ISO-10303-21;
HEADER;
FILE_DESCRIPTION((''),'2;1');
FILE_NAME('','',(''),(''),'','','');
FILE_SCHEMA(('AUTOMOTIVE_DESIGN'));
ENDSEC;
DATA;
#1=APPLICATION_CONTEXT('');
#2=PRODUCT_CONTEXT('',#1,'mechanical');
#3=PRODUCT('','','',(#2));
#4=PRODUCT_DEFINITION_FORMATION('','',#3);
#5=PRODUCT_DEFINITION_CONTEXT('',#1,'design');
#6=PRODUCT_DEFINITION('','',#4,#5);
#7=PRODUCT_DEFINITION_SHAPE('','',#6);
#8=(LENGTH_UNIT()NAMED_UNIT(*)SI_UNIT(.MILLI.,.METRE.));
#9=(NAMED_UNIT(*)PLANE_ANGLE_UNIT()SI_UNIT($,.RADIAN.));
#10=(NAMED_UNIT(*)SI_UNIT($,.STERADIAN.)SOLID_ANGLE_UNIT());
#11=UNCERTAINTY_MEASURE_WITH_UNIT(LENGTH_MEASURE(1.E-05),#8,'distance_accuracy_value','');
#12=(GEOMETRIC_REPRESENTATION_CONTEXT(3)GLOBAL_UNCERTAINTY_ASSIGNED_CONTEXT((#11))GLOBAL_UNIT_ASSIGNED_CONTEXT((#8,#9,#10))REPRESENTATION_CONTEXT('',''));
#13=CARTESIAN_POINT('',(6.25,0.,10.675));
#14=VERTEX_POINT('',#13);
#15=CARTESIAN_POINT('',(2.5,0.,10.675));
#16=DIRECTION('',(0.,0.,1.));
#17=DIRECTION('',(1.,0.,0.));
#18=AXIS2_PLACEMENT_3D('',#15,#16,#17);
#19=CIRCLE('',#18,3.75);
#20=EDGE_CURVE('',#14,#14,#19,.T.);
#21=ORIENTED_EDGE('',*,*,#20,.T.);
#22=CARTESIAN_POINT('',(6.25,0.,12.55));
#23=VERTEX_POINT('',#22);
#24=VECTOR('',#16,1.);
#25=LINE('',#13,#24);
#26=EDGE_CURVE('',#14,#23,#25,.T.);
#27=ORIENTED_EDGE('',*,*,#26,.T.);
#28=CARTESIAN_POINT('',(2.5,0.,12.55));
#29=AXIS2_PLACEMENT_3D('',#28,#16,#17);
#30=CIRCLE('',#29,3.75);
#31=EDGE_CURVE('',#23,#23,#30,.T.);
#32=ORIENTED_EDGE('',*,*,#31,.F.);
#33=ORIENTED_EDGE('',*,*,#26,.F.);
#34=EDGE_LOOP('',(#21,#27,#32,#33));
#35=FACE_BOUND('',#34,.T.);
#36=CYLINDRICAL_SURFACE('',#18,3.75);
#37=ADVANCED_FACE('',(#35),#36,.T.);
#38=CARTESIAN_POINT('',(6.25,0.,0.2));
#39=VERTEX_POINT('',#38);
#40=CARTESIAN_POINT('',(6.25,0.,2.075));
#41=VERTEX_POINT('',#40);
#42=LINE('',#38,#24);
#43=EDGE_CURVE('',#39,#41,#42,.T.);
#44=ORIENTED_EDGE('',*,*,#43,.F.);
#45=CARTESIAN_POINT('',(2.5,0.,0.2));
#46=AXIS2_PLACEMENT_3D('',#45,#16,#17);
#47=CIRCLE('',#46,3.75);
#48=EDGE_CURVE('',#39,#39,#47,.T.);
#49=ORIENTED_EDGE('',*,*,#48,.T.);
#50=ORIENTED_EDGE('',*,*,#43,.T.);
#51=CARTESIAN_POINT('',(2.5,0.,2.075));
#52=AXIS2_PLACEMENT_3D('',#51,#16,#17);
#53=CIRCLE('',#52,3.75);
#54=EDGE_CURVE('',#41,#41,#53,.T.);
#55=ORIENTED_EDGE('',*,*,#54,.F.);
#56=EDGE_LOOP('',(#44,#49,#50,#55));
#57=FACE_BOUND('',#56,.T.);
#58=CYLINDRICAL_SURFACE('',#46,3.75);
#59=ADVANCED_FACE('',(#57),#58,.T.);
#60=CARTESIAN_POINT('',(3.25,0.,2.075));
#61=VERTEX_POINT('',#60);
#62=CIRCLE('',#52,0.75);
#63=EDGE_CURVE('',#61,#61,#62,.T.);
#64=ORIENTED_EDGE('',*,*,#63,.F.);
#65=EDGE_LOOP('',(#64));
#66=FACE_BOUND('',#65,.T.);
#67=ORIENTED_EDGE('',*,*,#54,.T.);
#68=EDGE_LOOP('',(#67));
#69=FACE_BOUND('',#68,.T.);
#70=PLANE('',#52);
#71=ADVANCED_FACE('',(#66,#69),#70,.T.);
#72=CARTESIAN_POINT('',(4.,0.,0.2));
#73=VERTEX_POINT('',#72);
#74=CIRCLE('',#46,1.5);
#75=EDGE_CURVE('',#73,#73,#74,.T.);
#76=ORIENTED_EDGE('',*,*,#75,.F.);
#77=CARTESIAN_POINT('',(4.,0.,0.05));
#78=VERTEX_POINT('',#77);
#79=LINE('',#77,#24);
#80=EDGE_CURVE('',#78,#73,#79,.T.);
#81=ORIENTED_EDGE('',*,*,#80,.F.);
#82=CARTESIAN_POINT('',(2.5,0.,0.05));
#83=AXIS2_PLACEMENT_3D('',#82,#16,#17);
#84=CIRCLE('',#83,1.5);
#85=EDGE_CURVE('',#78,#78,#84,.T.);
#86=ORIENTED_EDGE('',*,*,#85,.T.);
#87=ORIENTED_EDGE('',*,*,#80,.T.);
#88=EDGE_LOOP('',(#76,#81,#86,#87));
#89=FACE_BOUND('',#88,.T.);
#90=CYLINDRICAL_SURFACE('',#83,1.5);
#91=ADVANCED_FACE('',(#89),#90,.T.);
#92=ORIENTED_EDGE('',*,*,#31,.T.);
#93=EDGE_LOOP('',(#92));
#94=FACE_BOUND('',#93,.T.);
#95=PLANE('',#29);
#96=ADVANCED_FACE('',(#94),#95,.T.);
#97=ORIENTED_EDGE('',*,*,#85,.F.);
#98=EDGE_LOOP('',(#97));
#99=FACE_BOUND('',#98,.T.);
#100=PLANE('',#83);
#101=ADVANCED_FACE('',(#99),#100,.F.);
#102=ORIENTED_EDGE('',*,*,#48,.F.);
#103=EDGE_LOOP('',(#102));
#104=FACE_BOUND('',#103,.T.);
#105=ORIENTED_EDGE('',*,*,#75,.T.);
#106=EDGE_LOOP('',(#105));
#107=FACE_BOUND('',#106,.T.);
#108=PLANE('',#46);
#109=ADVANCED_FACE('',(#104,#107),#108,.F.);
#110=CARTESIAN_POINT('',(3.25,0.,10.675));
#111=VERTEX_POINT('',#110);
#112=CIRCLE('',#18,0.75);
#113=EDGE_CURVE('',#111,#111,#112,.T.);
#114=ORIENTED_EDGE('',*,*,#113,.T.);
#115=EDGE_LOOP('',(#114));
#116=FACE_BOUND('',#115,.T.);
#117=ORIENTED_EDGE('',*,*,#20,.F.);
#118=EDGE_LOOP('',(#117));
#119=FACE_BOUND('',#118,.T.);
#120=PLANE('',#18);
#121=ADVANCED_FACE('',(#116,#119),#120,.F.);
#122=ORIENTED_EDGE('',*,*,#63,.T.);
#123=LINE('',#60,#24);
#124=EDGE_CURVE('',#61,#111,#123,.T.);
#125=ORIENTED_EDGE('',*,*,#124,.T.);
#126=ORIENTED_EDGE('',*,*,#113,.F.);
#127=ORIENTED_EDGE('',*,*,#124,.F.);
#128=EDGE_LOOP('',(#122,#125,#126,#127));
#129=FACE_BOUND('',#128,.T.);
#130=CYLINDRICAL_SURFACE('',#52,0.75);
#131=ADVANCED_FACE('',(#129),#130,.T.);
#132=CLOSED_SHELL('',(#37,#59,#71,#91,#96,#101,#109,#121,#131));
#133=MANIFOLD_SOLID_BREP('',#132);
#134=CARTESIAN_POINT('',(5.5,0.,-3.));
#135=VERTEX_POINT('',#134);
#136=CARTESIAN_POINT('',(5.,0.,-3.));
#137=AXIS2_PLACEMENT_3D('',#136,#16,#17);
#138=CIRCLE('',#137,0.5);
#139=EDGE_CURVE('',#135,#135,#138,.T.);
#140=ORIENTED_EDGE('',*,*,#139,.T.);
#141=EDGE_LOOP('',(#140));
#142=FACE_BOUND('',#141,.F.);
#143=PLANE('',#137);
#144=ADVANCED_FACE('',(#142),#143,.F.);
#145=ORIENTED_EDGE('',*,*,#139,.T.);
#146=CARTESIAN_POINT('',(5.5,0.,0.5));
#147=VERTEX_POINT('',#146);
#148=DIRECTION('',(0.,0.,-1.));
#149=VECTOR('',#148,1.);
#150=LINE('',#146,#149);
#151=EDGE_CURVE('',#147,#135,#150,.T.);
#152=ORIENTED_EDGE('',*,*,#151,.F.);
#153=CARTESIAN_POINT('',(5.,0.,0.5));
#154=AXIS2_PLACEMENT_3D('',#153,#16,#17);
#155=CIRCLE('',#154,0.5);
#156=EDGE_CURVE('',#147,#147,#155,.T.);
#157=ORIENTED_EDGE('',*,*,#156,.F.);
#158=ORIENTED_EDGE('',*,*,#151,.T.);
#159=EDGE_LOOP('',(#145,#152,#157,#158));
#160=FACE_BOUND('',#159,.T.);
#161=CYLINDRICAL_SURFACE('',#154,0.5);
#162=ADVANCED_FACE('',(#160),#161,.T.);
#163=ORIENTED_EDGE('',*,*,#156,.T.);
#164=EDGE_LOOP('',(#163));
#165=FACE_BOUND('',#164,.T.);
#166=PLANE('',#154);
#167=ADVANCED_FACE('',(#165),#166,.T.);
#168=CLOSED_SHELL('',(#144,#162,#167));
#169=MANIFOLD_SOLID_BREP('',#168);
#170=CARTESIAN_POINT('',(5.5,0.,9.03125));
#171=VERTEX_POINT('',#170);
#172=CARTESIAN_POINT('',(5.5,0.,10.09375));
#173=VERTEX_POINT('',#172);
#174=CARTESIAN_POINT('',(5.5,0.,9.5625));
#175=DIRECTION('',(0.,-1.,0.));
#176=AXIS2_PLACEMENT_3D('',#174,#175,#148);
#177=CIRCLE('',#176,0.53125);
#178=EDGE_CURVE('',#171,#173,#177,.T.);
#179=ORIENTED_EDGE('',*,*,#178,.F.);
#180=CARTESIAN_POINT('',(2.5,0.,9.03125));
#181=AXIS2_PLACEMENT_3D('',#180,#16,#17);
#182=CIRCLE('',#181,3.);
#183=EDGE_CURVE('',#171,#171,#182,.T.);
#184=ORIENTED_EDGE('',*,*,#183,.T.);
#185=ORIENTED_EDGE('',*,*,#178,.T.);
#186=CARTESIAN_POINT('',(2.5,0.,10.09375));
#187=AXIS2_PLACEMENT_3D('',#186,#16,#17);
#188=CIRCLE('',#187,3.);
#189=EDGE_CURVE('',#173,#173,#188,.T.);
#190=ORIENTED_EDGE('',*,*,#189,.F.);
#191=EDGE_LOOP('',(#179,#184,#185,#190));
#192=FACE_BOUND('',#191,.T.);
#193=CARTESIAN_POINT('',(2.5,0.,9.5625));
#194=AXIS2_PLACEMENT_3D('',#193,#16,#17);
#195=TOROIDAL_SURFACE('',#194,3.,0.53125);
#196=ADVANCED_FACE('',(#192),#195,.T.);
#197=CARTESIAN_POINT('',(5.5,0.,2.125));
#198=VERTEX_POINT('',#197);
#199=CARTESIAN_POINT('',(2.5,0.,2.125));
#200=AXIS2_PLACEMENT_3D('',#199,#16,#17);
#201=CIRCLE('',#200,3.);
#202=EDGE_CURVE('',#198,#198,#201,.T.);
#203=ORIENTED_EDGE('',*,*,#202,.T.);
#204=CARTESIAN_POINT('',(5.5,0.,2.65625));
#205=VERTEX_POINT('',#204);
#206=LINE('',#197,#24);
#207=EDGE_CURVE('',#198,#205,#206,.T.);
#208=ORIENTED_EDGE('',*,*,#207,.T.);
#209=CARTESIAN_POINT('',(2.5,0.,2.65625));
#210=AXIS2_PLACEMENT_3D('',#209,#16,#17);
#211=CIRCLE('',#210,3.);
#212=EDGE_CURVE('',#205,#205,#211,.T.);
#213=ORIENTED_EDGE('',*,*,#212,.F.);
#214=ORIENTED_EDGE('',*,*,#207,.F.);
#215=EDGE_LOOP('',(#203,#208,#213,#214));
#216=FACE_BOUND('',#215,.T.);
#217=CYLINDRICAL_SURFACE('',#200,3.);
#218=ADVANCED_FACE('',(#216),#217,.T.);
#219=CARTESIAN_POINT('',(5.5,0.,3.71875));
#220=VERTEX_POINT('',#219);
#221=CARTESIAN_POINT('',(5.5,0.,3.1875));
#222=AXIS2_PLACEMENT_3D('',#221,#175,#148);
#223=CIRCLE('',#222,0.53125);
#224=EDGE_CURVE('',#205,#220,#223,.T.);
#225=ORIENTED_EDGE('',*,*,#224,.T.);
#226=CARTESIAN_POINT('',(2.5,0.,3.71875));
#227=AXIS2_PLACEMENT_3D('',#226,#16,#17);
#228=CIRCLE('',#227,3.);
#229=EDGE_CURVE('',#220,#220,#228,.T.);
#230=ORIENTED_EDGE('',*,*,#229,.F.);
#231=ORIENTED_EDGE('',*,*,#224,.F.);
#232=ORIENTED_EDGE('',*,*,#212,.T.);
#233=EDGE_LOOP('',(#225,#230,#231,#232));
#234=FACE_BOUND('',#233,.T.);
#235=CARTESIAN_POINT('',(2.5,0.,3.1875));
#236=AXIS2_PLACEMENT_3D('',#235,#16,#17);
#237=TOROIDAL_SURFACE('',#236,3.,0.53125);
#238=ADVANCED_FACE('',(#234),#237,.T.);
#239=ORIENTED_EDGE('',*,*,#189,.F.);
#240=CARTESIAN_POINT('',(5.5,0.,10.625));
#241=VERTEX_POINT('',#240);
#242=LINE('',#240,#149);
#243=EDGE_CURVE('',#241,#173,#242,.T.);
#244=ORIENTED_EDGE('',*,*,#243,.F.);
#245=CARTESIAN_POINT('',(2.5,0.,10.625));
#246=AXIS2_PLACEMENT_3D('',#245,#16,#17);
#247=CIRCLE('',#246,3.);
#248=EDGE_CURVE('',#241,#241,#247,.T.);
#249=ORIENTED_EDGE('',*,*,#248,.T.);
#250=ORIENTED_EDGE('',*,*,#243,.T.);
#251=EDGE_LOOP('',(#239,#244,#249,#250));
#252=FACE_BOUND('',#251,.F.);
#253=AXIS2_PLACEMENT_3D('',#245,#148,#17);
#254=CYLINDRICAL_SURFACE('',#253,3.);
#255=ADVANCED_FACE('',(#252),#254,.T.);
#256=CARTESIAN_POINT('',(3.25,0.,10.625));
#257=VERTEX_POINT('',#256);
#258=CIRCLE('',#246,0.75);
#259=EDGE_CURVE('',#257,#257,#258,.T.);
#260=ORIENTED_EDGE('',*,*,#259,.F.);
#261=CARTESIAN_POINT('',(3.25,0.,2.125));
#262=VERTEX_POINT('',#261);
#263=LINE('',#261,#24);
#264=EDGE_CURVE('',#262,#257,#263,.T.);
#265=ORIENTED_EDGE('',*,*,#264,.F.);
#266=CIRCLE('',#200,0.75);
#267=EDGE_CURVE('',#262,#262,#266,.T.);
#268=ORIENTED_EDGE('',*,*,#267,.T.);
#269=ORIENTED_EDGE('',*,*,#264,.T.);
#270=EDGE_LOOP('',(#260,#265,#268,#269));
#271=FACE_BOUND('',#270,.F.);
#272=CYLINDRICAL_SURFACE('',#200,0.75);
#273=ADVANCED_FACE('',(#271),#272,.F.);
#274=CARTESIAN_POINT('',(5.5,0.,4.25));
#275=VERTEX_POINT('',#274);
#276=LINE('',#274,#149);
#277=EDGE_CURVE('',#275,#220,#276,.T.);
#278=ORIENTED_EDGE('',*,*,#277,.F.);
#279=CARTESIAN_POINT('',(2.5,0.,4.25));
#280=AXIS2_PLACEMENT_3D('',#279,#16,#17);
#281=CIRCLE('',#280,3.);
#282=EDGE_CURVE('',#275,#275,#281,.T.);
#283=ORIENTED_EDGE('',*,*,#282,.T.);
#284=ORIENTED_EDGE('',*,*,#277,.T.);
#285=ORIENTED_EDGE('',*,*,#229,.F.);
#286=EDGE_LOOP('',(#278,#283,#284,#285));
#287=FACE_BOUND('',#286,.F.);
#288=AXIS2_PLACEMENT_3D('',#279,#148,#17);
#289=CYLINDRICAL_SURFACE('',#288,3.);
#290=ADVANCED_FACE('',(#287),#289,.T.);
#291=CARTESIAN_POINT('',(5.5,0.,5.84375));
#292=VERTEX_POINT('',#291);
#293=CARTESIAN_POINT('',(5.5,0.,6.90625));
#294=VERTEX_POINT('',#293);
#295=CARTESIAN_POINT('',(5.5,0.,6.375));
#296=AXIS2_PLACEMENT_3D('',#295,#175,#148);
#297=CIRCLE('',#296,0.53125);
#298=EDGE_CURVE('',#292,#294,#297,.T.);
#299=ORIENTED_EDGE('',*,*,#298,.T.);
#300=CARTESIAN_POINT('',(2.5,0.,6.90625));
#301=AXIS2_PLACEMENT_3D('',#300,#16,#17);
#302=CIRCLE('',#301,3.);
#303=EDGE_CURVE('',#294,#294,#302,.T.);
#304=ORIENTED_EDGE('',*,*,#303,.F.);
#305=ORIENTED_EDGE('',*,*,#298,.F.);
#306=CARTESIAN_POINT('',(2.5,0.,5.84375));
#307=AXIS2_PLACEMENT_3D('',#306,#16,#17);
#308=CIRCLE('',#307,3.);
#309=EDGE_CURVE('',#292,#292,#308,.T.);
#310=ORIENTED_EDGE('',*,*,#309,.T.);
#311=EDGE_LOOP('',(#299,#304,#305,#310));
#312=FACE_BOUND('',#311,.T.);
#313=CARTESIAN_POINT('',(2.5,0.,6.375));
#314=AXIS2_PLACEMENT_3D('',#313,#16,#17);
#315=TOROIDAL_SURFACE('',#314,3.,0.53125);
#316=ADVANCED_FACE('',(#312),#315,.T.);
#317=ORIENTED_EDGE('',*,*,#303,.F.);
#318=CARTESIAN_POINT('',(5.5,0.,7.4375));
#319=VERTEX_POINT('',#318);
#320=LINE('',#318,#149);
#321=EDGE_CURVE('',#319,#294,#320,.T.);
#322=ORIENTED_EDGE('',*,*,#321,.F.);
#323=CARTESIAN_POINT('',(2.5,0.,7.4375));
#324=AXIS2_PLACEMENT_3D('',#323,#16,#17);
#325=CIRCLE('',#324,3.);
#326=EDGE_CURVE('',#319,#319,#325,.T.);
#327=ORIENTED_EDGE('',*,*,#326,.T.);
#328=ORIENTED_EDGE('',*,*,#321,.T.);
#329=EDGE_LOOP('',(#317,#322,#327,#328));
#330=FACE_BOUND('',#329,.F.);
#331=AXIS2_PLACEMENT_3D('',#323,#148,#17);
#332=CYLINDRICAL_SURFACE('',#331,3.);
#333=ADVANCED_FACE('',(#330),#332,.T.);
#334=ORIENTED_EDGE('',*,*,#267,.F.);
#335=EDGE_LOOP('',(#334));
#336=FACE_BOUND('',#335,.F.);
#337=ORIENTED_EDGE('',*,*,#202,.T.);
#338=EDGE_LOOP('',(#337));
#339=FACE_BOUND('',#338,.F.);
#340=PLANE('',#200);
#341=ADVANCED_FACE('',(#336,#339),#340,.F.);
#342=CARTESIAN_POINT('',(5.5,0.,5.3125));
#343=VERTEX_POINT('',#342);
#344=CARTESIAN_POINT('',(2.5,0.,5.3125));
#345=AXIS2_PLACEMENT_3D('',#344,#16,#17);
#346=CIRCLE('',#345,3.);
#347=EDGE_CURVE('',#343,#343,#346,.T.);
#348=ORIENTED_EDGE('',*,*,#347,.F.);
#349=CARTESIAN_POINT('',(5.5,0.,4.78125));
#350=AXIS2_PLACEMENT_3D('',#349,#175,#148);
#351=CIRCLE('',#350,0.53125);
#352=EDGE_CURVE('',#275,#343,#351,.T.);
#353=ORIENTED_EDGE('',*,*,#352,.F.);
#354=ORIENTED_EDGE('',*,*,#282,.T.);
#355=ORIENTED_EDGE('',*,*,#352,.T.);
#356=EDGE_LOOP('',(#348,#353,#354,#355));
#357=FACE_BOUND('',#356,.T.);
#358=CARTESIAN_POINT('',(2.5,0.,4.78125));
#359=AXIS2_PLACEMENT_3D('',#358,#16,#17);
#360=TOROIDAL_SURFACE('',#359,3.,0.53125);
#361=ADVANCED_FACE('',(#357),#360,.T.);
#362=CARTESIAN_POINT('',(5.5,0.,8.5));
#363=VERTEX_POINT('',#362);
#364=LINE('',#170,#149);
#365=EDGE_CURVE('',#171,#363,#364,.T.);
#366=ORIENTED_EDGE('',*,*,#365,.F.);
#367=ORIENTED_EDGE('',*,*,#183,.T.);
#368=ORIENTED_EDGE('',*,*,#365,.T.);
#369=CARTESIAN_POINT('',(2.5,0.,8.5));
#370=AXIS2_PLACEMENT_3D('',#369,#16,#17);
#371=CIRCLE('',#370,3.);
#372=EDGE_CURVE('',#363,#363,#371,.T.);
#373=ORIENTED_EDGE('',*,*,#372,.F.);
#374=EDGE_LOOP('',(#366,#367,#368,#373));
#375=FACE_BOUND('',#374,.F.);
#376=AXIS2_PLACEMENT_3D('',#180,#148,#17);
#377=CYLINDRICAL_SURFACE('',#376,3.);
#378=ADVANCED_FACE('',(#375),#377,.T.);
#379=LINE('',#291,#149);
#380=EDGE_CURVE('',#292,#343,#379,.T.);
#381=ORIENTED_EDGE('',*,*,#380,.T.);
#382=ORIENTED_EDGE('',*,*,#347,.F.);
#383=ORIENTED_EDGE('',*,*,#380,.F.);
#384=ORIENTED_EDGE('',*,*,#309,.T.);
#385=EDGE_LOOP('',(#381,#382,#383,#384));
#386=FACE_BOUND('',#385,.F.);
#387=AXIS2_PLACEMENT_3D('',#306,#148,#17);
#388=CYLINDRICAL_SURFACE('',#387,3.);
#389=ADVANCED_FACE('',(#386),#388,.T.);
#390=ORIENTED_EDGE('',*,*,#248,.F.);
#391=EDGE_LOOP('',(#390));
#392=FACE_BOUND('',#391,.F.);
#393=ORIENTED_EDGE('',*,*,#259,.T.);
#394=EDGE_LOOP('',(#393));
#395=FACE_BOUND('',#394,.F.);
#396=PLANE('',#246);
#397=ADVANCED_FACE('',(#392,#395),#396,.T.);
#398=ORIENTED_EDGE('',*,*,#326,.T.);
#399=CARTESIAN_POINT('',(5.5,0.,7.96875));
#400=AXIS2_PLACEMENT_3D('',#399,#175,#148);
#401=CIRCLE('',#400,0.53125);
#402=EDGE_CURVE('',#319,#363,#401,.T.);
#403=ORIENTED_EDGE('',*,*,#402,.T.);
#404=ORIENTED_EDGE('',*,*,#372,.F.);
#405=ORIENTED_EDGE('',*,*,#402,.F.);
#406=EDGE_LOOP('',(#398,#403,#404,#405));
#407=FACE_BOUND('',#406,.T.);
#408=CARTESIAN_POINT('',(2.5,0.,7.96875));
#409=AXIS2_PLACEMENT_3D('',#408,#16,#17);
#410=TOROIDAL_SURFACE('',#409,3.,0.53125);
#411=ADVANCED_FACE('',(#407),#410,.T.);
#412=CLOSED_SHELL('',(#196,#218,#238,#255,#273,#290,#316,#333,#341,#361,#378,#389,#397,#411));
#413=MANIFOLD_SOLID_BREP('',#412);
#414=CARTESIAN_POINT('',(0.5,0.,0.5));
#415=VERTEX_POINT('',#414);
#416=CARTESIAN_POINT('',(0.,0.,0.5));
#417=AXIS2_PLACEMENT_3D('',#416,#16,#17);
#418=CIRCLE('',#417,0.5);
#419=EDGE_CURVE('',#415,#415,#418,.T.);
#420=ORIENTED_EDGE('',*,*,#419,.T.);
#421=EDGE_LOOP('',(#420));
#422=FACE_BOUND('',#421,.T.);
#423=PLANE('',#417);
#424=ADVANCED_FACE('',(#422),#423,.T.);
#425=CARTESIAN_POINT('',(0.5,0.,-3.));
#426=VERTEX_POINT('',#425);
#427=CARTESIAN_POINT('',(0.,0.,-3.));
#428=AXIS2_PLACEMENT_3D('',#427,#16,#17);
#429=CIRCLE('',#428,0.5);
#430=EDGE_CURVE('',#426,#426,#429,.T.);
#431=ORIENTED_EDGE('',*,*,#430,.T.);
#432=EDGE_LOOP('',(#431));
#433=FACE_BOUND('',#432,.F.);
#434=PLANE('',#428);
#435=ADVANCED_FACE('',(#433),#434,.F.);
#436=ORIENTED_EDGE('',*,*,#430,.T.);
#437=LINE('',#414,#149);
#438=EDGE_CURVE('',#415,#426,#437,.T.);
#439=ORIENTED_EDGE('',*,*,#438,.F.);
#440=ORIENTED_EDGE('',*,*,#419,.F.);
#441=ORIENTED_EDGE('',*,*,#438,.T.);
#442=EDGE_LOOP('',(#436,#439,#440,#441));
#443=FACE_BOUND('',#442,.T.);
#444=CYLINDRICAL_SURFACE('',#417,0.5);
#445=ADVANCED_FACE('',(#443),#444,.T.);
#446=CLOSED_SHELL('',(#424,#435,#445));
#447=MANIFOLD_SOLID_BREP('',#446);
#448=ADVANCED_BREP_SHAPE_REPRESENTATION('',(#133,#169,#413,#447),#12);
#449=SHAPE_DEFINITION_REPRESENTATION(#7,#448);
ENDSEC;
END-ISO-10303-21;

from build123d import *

# Parameters (mm, degrees)
SKETCH001_R  = 0.5
PAD001_DEPTH = 3.5


with BuildPart() as pad001:
    # Sketch001 → Pad001 (new body)
    with BuildSketch(Plane.XY.offset(0.5)):
        Circle(SKETCH001_R)
        with Locations((5, 0)):
            Circle(SKETCH001_R)
    extrude(amount=-PAD001_DEPTH)


with BuildPart() as revolution:
    # Sketch → Revolution (revolve)
    with BuildSketch(Plane(origin=(2.5, 0, 0), x_dir=(1, 0, 0), z_dir=(0, -1, 0))):
        Polygon((0, 0.05), (1.5, 0.05), (1.5, 0.2), (3.75, 0.2), (3.75, 2.075), (0.75, 2.075), (0.75, 10.675), (3.75, 10.675), (3.75, 12.55), (0, 12.55), align=None)
    revolve(axis=Axis((2.5, 0, 0), (0, 0, 1)))


with BuildPart() as revolution001:
    # Sketch002 → Revolution001 (revolve)
    with BuildSketch(Plane(origin=(2.5, 0, 0), x_dir=(1, 0, 0), z_dir=(0, -1, 0))):
        with BuildLine():
            Line((3, 2.125), (0.75, 2.125))
            Line((0.75, 2.125), (0.75, 10.625))
            Line((0.75, 10.625), (3, 10.625))
            Line((3, 10.625), (3, 10.09375))
            ThreePointArc((3, 9.03125), (3.53125, 9.5625), (3, 10.09375))
            Line((3, 9.03125), (3, 8.5))
            ThreePointArc((3, 7.4375), (3.53125, 7.96875), (3, 8.5))
            Line((3, 7.4375), (3, 6.90625))
            ThreePointArc((3, 5.84375), (3.53125, 6.375), (3, 6.90625))
            Line((3, 5.84375), (3, 5.3125))
            ThreePointArc((3, 4.25), (3.53125, 4.78125), (3, 5.3125))
            Line((3, 4.25), (3, 3.71875))
            ThreePointArc((3, 2.65625), (3.53125, 3.1875), (3, 3.71875))
            Line((3, 2.125), (3, 2.65625))
        make_face()
    revolve(axis=Axis((2.5, 0, 0), (0, 0, 1)))


solid = Compound([pad001.part, revolution.part, revolution001.part])
